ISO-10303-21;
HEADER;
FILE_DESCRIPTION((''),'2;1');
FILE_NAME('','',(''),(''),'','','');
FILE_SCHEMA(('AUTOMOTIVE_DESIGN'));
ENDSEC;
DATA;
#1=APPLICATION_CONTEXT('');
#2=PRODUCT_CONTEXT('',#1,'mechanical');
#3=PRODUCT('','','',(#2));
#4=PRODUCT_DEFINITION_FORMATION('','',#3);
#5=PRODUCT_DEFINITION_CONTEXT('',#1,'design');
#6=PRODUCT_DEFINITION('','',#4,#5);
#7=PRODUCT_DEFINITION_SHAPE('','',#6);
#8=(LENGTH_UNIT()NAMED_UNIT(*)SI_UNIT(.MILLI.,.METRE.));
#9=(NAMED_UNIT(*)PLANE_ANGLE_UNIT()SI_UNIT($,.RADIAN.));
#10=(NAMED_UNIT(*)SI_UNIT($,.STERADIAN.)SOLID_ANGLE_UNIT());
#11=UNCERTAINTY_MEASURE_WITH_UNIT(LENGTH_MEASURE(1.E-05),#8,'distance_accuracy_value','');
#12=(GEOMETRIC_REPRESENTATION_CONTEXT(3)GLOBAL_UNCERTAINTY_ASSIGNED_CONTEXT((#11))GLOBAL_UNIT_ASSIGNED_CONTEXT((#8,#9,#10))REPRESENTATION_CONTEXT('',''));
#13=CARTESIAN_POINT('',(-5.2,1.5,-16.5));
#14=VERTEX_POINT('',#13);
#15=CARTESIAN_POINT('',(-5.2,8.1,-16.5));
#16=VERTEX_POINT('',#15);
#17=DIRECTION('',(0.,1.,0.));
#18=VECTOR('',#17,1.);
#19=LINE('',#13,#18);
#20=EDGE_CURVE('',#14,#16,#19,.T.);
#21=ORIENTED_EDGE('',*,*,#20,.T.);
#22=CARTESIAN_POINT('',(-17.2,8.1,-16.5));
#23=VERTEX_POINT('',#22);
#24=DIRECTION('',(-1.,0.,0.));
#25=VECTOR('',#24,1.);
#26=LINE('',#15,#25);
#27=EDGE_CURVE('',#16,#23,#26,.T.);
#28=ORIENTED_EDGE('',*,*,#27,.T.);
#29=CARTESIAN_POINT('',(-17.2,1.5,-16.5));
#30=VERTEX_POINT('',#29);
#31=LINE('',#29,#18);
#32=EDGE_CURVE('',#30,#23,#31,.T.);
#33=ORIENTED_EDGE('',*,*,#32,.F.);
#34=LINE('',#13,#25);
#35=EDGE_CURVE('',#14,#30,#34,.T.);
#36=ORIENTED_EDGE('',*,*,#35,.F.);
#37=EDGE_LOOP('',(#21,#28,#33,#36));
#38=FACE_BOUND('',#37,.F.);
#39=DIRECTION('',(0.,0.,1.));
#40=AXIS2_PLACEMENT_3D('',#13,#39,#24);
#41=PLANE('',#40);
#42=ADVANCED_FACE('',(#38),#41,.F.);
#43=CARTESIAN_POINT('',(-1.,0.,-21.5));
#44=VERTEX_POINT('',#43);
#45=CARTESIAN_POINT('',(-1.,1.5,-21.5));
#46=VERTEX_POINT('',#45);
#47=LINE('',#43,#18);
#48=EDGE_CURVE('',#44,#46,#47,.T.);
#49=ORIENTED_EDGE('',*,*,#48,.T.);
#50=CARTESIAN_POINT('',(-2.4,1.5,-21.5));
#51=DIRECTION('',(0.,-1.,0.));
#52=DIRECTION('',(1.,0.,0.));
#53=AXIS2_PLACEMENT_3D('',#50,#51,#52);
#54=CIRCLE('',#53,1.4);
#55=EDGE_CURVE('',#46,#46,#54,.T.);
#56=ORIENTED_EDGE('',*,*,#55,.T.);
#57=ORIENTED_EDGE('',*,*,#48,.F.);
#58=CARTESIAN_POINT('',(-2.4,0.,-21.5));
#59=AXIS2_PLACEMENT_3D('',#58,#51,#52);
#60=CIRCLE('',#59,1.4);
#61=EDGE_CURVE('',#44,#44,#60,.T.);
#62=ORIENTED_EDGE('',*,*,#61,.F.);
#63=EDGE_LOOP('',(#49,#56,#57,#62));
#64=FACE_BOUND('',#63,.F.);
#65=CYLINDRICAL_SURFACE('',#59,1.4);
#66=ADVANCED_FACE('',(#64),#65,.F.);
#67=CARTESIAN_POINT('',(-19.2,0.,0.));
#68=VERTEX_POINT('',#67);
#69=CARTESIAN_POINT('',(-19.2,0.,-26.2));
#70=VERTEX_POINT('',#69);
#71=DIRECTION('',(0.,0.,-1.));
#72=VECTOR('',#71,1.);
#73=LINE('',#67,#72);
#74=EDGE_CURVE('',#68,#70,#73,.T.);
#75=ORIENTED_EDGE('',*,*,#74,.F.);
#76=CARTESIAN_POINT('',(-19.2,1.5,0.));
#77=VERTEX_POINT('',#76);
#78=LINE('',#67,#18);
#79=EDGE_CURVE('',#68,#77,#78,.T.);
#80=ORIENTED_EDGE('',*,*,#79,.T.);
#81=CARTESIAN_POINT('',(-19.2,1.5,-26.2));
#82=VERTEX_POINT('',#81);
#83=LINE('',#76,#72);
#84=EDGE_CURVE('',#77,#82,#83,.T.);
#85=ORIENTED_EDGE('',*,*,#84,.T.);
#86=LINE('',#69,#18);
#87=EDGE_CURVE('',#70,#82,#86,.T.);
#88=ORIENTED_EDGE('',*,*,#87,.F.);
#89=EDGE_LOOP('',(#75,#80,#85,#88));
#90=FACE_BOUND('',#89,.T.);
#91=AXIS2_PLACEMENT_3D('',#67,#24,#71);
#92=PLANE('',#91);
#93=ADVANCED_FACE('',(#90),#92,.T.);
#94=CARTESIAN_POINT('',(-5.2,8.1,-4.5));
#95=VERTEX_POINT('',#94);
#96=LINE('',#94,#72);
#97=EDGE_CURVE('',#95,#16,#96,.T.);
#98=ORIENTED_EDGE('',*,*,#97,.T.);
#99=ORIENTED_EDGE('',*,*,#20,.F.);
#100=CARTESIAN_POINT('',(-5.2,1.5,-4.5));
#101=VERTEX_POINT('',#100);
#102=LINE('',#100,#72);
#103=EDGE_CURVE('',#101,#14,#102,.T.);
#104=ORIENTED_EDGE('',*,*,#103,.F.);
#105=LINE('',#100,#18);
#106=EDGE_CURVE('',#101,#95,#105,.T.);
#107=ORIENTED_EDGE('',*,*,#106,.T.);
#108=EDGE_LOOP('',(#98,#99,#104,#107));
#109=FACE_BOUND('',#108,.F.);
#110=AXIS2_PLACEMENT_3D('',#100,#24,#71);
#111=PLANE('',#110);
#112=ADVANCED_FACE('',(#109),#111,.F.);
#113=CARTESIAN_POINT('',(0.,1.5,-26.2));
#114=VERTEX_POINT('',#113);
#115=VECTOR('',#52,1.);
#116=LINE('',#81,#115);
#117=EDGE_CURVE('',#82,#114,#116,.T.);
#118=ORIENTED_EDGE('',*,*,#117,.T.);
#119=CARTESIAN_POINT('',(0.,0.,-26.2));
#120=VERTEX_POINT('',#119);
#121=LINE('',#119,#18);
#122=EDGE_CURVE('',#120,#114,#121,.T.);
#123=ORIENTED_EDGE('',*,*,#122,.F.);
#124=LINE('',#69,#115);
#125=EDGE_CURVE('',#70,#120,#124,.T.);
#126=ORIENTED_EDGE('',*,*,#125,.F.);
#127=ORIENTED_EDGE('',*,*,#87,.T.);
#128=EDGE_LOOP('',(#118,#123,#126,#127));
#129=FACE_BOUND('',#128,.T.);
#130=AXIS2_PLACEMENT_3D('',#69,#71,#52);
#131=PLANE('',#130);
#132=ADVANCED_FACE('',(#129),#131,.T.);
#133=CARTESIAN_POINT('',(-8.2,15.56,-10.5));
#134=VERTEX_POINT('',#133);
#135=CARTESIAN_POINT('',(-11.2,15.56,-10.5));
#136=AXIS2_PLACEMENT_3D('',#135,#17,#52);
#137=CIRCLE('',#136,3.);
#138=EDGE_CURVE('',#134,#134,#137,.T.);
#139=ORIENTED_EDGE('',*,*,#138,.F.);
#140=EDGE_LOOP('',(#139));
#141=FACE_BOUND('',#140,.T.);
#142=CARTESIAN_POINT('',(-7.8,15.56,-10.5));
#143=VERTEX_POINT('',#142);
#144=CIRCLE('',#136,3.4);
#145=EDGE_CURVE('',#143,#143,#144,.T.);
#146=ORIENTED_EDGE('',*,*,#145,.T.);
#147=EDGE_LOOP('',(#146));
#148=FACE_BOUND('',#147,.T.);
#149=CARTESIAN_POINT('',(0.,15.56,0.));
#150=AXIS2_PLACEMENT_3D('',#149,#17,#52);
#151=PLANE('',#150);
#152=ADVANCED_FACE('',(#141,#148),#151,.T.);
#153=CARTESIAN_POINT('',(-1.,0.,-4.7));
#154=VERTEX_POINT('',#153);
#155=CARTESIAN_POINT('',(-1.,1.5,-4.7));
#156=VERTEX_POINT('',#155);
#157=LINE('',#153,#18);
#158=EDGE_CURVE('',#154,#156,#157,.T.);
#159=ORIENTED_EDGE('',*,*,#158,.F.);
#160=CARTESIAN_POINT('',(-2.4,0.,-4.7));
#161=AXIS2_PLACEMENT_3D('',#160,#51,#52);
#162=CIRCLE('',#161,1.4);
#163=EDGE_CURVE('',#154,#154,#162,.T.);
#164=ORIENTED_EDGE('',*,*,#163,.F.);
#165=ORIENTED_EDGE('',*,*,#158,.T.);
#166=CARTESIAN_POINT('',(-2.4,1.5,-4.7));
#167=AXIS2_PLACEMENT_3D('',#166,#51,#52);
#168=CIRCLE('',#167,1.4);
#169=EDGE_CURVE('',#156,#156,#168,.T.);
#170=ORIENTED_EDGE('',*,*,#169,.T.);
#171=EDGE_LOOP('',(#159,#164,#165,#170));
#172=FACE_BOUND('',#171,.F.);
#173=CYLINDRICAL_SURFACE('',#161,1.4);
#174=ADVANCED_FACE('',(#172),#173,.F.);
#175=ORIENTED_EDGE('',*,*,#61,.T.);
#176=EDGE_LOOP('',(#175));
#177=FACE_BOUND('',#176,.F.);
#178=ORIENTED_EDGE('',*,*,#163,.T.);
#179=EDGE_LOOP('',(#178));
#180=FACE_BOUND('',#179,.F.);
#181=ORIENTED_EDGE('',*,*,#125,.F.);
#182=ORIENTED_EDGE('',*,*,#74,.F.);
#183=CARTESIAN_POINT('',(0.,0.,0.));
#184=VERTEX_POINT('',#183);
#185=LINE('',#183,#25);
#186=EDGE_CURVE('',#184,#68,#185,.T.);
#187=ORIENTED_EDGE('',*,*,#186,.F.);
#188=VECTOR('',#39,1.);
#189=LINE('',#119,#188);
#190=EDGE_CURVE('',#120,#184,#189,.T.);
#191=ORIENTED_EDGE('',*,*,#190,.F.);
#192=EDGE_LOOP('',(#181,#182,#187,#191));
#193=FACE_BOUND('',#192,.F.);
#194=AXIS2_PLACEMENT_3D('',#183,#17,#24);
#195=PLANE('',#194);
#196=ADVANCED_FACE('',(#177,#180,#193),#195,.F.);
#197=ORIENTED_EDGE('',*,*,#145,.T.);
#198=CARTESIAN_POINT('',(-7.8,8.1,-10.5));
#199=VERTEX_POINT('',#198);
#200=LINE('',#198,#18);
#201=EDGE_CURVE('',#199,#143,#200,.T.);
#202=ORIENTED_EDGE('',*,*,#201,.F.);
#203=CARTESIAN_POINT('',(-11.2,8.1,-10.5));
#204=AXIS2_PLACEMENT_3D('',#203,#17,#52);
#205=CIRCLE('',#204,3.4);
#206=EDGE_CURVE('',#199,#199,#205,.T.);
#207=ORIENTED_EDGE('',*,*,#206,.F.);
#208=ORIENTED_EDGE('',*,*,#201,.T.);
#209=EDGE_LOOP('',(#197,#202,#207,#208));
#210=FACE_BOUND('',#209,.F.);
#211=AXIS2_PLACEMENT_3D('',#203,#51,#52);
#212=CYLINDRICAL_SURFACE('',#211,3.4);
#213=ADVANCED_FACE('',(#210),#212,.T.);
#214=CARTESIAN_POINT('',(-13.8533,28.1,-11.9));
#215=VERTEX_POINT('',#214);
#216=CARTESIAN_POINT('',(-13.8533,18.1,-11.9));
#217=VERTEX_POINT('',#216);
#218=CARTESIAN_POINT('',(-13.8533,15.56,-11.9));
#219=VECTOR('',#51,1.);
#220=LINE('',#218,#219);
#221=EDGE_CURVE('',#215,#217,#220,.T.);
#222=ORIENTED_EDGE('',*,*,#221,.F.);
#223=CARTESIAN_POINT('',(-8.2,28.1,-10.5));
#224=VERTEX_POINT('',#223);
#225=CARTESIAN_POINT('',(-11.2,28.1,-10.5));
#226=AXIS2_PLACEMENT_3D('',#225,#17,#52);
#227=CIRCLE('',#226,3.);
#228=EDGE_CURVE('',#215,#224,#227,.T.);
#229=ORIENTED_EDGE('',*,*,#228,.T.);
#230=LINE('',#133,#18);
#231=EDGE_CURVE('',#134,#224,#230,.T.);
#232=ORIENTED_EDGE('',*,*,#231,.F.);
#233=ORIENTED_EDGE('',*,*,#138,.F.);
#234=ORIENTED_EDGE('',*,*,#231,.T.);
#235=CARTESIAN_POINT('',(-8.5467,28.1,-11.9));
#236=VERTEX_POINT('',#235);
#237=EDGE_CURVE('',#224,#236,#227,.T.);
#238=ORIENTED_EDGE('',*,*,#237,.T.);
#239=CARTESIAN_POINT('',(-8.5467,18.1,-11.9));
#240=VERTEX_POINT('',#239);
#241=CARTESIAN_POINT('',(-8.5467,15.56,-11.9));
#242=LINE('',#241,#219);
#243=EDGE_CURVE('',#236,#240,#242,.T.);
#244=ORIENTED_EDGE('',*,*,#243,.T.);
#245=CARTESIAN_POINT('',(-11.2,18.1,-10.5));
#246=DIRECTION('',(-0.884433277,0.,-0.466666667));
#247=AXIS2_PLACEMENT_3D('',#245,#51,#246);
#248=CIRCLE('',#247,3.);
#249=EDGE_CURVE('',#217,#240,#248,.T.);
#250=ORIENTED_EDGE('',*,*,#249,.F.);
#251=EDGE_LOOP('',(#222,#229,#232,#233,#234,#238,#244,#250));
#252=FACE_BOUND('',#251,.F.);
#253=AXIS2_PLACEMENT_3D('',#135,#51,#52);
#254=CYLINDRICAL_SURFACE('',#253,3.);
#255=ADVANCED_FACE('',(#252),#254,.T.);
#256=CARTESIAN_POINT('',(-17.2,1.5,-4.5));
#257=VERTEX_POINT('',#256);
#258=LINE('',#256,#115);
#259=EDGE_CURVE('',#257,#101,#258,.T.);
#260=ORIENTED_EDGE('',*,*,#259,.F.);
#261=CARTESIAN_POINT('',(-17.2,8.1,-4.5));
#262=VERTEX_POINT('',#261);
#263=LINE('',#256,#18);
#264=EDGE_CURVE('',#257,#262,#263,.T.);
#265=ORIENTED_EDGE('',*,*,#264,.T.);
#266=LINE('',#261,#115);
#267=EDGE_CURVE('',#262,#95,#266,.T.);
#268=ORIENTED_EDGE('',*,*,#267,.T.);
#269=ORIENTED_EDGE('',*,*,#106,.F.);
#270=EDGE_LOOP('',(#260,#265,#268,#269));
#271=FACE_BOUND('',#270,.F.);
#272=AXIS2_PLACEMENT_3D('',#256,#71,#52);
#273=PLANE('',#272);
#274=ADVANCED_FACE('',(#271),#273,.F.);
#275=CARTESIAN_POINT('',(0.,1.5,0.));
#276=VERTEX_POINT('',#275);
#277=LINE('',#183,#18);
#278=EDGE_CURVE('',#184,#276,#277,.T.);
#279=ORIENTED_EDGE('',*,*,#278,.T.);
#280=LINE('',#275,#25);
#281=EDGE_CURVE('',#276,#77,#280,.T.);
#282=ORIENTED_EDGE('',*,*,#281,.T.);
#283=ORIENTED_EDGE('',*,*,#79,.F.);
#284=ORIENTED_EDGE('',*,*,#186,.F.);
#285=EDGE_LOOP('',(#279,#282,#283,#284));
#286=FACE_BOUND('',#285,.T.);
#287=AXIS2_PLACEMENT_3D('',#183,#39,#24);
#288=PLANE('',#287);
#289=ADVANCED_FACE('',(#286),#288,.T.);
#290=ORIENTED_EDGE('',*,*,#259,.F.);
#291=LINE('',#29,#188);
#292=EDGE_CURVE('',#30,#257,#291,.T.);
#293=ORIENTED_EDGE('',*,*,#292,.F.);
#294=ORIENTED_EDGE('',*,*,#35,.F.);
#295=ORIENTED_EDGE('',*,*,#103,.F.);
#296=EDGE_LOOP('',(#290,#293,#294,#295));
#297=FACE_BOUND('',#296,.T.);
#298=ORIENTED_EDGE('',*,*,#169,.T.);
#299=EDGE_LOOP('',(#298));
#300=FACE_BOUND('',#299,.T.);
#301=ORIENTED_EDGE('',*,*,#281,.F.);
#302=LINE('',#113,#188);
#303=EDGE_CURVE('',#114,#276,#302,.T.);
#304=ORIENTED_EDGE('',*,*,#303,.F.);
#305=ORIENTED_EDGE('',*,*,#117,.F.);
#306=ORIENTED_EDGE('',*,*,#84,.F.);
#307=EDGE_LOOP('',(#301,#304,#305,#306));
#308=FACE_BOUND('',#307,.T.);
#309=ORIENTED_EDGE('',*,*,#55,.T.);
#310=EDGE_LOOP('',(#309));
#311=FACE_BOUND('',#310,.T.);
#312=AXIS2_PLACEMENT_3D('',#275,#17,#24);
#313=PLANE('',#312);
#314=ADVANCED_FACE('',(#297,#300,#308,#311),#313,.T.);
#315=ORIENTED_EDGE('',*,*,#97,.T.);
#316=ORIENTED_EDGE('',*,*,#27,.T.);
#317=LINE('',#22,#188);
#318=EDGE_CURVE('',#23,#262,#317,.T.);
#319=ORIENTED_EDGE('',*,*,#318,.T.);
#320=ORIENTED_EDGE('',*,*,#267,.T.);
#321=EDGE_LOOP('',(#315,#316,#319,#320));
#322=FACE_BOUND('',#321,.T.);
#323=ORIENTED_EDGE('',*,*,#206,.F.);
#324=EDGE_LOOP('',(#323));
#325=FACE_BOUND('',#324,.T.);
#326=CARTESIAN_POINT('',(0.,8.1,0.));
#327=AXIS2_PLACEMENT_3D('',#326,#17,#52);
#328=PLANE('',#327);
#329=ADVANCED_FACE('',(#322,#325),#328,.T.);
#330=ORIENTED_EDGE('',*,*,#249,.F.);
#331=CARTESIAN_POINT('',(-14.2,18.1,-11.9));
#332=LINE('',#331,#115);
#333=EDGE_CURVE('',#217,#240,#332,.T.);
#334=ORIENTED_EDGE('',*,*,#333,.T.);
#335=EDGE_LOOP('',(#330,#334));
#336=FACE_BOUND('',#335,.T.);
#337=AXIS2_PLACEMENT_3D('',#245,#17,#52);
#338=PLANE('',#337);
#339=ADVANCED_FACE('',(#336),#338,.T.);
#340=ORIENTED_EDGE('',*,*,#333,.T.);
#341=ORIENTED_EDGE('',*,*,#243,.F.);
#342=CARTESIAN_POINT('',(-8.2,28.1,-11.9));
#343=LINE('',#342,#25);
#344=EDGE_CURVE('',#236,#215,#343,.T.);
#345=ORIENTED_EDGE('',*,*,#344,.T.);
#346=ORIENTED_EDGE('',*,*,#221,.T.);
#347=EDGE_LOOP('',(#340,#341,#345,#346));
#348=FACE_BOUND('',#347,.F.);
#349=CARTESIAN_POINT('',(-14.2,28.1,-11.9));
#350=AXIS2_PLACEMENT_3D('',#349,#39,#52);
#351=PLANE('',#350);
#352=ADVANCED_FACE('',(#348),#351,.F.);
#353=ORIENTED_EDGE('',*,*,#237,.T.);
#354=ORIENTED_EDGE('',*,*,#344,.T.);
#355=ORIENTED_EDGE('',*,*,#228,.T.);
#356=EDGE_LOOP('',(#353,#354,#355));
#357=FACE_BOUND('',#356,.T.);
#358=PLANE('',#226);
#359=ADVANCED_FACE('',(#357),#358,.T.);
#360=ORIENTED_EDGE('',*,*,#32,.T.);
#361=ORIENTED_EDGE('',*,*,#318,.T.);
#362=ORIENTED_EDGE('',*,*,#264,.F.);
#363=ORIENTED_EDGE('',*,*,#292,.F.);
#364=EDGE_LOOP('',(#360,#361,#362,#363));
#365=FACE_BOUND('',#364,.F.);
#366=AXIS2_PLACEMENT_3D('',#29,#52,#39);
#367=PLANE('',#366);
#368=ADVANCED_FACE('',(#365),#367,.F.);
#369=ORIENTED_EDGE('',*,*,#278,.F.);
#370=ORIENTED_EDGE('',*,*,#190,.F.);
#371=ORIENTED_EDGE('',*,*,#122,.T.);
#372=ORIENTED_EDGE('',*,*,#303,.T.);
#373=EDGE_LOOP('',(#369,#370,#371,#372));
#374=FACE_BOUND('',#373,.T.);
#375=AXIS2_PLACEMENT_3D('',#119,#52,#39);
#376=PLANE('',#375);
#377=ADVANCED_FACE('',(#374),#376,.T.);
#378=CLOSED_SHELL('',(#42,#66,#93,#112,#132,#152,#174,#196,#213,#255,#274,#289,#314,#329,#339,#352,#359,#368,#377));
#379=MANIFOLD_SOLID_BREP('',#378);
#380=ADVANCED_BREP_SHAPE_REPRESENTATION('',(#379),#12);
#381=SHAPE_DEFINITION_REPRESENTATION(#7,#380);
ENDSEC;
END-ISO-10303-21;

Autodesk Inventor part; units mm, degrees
ref_plane "YZ Plane" through (0, 0, 0) normal (1, 0, 0) x (0, 1, 0)
ref_plane "XZ Plane" through (0, 0, 0) normal (0, 1, 0) x (-1, 0, 0)
ref_plane "XY Plane" through (0, 0, 0) normal (0, 0, 1) x (1, 0, 0)
sketch "草圖2" plane through (0, 0, 0) normal (0, 1, 0) x (-1, 0, 0)
  line L0 (0, 0) -> (19.2, 0)
  line L1 (19.2, 0) -> (19.2, -26.2)
  line L2 (19.2, -26.2) -> (0, -26.2)
  line L3 (0, -26.2) -> (0, 0)
  dimension "d4" = 26.2
  dimension "d5" = 19.2
extrude "擠出2" add sketch "草圖2" along normal blind 1.5
sketch "草圖3" plane through (0, 1.5, 0) normal (0, 1, 0) x (1, 0, 0)
  line L0 (-19.2, 0) -> (0, 0) projected
  line L1 (-19.2, 26.2) -> (-19.2, 0) projected
  line L2 (-17.2, 4.5) -> (-5.2, 4.5)
  line L3 (-5.2, 4.5) -> (-5.2, 16.5)
  line L4 (-5.2, 16.5) -> (-17.2, 16.5)
  line L5 (-17.2, 16.5) -> (-17.2, 4.5)
  dimension "d8" = 4.5
  dimension "d9" = 2
  dimension "d10" = 12
  dimension "d11" = 12
extrude "擠出3" add sketch "草圖3" along normal blind 6.6
sketch "草圖4" plane through (0, 8.1, 0) normal (0, 1, 0) x (1, 0, 0)
  line L0 (-5.2, 4.5) -> (-5.2, 16.5) projected
  line L1 (-5.2, 16.5) -> (-17.2, 16.5) projected
  line L2 (-17.2, 16.5) -> (-17.2, 4.5) projected
  line L3 (-17.2, 4.5) -> (-5.2, 4.5) projected
  circle A0 centre (-11.2, 10.5) radius 3.4
  point P0 (0, 0)
  dimension "d14" = 6
  dimension "d15" = 6
  dimension "d16" = 6.8
extrude "擠出4" add sketch "草圖4" along normal blind 7.46 contours A0
sketch "草圖5" plane through (-11.2, 15.56, -10.5) normal (0, 1, 0) x (1, 0, 0)
  circle A0 centre (0, 0) radius 3.4 projected
  circle A1 centre (0, 0) radius 3
  point P0 (11.2, -10.5)
  dimension "d19" = 6
extrude "擠出5" add sketch "草圖5" along normal blind 12.54 contours A1
thread "螺紋1" size "M7x1" class "6g" standard "ANSI Metric M Profile" full length
sketch "草圖6" plane through (-11.2, 28.1, -10.5) normal (0, 1, 0) x (1, 0, 0)
  line L0 (-3, 1.4) -> (3, 1.4)
  line L1 (3, 1.4) -> (3, 3)
  line L2 (3, 3) -> (-3, 3)
  line L3 (-3, 3) -> (-3, 1.4)
  circle A0 centre (0, 0) radius 3 projected
  point P0 (11.2, -10.5)
  point P1 (0, 3)
  point P2 (0, 3)
  point P3 (-3, 0)
  dimension "d24" = 1.6
  dimension "d25" = 6
extrude "擠出6" cut sketch "草圖6" against normal blind 10 contours L3 L2 A0 L0 | A0 L0 | A0 L2 L1 L0 picked at (0.7632, 1.5795)
sketch "草圖7" plane through (0, 0, 0) normal (0, -1, 0) x (1, 0, 0)
  circle A0 centre (-2.4, -4.7) radius 1.4
  circle A1 centre (-2.4, -21.5) radius 1.4
  line L0 (0, 0) -> (0, -26.2) projected
  line L1 (-19.2, 0) -> (0, 0) projected
  dimension "d29" = 16.8
  dimension "d30" = 2.8
  dimension "d31" = 2.4
  dimension "d33" = 4.7
extrude "擠出7" cut sketch "草圖7" against normal up to surface (1.5 mm away)
properties part number "編碼器"
